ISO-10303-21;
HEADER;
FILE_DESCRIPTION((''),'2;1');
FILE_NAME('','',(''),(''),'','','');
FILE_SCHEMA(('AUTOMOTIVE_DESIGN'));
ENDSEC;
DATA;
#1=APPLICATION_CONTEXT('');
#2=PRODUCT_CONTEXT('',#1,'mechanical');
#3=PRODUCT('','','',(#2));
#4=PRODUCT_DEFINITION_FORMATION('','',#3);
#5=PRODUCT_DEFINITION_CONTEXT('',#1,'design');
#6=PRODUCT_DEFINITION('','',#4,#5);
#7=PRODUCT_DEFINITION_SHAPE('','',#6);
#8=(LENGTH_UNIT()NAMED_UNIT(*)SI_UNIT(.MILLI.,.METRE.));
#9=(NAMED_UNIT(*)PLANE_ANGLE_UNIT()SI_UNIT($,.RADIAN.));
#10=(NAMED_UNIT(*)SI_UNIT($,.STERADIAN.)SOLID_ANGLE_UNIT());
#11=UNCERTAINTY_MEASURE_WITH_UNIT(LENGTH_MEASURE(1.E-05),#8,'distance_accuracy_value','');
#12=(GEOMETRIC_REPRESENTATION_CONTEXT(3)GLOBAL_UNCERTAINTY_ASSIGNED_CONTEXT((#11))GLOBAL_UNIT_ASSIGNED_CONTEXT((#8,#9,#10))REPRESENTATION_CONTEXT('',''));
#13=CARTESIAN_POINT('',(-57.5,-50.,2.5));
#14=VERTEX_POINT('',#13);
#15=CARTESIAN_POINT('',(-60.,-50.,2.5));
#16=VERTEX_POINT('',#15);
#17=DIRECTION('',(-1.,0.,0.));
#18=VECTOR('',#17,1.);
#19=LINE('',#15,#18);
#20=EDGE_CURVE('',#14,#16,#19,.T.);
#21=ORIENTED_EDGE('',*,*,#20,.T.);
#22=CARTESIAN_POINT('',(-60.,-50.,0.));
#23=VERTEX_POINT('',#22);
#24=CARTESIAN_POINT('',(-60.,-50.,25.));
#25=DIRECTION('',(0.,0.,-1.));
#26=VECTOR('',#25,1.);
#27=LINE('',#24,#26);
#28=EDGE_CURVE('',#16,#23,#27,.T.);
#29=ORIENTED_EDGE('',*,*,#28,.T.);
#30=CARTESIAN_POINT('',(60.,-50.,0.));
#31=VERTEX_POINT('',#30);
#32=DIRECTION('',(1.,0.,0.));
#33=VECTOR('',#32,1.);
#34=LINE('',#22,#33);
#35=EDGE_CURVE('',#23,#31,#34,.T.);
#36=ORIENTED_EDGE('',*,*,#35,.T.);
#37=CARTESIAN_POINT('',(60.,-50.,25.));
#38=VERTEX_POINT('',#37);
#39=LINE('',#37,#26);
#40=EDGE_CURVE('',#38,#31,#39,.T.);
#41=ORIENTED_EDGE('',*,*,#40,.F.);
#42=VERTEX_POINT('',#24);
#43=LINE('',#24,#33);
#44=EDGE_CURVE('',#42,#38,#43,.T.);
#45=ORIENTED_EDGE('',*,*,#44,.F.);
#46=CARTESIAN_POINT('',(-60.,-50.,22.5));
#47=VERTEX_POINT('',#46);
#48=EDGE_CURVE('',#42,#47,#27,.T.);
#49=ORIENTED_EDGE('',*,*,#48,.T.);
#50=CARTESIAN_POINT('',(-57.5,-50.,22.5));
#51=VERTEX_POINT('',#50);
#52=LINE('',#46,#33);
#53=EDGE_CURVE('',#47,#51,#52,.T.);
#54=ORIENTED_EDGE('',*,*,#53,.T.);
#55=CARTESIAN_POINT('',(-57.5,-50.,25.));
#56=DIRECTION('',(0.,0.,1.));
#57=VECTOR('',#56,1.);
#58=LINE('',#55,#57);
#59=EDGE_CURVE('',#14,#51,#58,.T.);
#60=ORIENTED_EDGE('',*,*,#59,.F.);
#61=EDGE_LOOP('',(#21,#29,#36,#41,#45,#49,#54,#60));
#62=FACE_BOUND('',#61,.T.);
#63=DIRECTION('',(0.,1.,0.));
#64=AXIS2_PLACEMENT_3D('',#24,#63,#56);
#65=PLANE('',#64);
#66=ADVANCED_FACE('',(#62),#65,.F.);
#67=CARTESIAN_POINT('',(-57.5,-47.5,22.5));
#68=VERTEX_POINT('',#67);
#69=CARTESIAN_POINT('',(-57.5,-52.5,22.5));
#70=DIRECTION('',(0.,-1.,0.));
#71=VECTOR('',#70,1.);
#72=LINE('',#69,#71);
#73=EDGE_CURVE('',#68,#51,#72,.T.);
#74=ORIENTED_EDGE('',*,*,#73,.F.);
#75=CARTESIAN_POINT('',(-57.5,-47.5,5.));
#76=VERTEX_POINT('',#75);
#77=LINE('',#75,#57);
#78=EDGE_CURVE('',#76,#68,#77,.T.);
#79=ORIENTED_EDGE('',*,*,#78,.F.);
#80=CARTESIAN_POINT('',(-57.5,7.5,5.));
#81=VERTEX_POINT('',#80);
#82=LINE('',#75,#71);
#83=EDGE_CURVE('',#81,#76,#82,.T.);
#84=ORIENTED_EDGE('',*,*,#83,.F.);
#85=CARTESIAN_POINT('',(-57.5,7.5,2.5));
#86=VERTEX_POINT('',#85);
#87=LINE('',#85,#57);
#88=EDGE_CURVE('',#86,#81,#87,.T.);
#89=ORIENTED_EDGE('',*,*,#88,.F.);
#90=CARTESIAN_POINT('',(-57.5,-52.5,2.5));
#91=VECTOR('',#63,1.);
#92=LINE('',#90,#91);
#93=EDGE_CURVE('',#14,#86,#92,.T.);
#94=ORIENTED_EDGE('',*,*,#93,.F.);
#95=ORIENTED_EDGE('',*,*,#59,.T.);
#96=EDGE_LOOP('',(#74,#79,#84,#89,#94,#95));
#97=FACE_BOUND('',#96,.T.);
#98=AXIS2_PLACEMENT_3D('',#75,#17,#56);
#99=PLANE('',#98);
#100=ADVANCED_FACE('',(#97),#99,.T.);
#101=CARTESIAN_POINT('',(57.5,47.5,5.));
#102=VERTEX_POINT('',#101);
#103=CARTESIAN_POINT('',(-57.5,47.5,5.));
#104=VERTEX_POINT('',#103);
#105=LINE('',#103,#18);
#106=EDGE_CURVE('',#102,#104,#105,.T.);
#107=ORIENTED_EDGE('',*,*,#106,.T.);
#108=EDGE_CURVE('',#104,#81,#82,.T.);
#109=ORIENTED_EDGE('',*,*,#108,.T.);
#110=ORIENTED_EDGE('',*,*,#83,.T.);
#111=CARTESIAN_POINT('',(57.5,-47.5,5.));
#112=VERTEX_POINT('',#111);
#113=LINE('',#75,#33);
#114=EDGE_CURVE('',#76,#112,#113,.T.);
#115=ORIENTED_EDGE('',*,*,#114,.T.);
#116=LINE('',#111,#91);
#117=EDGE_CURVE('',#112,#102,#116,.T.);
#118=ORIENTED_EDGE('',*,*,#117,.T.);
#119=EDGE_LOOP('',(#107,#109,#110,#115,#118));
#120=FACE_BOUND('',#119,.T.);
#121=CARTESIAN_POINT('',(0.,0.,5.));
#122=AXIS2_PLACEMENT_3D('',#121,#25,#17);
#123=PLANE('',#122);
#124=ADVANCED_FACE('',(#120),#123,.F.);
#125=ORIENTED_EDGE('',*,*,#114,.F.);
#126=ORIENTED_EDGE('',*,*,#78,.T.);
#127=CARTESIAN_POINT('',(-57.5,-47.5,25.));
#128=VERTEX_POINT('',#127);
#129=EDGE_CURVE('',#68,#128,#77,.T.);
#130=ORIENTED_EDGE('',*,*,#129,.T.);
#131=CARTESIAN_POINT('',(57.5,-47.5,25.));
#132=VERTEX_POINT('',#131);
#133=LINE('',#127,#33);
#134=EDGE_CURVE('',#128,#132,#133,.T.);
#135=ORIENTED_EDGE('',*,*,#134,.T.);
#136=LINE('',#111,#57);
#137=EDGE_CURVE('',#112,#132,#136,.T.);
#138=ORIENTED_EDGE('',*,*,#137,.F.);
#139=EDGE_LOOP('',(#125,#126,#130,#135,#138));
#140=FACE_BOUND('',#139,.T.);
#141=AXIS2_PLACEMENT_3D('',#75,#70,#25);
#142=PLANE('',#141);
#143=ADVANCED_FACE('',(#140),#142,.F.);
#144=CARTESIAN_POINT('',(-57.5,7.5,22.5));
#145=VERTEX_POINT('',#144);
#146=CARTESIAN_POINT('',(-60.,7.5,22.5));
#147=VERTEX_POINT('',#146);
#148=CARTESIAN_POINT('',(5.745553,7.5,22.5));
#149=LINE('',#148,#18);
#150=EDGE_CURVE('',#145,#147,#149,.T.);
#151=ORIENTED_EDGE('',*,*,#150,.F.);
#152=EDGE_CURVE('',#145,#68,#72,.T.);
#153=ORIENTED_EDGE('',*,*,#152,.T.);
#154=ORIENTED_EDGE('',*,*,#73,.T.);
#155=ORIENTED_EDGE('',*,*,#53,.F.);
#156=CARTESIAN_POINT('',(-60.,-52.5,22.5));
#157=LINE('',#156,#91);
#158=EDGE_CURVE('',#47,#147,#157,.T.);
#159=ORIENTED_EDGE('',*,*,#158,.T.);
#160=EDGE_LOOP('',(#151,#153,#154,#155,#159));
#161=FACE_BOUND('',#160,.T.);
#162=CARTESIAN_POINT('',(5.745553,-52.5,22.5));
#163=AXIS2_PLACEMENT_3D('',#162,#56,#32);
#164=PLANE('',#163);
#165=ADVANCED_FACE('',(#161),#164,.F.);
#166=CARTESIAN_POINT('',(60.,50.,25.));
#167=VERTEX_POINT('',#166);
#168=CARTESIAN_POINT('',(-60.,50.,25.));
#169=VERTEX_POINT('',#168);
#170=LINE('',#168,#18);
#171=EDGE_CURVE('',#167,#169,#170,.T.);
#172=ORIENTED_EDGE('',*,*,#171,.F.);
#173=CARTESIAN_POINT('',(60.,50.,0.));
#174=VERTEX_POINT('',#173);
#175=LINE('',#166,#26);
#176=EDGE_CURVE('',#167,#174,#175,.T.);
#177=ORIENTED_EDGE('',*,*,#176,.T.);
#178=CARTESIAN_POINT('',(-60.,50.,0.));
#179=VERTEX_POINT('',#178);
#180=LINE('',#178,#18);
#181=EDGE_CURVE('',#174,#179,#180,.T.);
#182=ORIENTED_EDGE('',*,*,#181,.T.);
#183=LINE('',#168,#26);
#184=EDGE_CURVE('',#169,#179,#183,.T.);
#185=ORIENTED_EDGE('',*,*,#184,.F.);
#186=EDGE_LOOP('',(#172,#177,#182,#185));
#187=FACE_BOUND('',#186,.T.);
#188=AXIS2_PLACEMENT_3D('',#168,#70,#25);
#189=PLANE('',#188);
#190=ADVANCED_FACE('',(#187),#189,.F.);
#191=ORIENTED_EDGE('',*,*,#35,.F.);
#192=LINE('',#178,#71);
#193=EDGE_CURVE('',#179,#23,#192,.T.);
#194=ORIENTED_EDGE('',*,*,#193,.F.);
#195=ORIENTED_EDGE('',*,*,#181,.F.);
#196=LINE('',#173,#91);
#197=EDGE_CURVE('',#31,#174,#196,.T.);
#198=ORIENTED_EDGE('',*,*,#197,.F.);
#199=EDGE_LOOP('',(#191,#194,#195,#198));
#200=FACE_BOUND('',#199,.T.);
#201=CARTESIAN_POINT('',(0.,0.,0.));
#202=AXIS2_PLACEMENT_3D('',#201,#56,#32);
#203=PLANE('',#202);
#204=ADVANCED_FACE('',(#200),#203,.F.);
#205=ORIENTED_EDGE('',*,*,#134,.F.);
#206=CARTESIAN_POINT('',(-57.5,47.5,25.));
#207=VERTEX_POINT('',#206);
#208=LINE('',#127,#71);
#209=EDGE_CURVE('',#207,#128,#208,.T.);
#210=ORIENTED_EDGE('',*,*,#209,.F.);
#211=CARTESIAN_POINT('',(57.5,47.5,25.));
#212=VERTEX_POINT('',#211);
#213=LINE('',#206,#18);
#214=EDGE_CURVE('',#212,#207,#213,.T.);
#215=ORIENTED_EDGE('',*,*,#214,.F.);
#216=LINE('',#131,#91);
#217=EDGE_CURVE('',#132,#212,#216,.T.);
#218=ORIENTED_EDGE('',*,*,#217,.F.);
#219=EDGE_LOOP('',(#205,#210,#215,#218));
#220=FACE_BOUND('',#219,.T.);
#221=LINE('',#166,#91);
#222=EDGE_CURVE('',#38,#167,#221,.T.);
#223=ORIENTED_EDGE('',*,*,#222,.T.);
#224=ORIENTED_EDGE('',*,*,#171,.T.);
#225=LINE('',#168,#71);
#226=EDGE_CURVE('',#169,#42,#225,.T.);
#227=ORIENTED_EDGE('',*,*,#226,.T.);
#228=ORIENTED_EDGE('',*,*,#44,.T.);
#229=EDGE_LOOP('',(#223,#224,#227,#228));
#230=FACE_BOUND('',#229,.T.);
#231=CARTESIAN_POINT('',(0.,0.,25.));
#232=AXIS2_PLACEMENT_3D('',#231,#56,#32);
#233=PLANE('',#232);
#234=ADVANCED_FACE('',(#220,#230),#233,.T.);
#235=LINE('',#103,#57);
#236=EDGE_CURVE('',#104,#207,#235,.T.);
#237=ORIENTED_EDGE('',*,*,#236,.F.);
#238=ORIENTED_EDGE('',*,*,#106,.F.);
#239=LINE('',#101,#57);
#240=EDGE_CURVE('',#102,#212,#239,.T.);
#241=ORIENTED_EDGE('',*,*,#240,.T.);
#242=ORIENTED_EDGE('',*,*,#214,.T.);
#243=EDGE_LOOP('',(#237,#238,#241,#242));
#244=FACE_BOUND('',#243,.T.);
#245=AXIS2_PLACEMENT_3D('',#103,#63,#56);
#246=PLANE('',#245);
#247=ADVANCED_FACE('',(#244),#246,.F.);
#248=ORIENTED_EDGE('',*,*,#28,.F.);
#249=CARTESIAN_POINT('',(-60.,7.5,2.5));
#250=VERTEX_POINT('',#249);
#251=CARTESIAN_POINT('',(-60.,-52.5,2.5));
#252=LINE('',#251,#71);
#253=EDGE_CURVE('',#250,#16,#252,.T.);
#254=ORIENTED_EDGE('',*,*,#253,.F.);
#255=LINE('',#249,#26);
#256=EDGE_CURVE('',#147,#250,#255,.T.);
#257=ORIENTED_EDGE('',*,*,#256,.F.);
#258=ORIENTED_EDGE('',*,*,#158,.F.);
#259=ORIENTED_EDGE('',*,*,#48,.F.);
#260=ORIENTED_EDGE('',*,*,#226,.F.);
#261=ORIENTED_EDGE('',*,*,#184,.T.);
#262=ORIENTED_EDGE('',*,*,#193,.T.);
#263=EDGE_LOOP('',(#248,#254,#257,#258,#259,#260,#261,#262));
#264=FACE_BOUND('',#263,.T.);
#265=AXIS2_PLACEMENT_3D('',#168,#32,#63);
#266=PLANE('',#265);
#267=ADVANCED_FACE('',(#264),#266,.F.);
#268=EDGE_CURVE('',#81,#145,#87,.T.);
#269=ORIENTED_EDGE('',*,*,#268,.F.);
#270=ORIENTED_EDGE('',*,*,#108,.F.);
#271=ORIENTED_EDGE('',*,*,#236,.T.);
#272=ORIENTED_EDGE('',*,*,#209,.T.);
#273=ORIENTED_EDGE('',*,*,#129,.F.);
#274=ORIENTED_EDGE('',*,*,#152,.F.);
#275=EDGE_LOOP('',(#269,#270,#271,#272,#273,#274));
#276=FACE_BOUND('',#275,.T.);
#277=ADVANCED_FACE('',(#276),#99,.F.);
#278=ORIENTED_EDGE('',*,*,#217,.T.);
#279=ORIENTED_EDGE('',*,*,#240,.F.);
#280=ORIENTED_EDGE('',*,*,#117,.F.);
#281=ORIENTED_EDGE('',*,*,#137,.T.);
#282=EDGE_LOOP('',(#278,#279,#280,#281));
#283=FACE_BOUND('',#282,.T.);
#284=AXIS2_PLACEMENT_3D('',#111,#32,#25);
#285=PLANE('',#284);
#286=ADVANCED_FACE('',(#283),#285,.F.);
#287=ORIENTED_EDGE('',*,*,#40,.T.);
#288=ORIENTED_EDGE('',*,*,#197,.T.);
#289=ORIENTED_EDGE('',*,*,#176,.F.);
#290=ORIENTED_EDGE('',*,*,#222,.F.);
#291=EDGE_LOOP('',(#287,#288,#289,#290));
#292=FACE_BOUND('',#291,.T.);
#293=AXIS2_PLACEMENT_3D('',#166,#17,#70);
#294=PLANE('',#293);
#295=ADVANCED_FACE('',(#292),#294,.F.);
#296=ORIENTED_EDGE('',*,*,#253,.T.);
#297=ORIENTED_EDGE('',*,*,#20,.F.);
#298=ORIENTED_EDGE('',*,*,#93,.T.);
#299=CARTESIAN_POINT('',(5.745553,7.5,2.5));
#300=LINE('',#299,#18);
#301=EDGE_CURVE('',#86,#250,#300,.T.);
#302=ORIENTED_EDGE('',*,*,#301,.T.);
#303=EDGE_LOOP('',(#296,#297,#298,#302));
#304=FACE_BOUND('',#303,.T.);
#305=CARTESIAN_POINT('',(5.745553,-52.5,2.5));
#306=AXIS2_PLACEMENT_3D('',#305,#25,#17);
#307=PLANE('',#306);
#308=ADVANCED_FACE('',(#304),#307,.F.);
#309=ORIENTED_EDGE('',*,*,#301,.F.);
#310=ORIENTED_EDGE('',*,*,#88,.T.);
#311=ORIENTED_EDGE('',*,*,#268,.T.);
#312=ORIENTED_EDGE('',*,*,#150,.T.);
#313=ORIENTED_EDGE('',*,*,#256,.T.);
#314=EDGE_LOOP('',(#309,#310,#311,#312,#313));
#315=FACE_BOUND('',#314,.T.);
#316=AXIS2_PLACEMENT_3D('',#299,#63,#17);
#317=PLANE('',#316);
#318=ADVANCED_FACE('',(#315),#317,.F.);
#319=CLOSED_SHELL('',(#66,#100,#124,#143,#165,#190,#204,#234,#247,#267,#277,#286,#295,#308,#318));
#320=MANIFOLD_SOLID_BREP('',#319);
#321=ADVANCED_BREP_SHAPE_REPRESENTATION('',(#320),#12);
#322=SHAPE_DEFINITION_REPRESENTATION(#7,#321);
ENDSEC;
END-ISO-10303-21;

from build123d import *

# Parameters (mm, degrees)
SKETCH2_W           = 120
SKETCH2_H           = 100
BOSS_EXTRUDE1_DEPTH = 25
SKETCH3_W           = 115
SKETCH3_H           = 95
CUT_EXTRUDE1_DEPTH  = 20
SKETCH4_W           = 20
SKETCH4_H           = 60
CUT_EXTRUDE2_DEPTH  = 2.5


with BuildPart() as part:
    # Sketch2 → Boss-Extrude1 (new body)
    with BuildSketch(Plane.XY):
        Rectangle(SKETCH2_W, SKETCH2_H)
    extrude(amount=BOSS_EXTRUDE1_DEPTH)

    # Sketch3 → Cut-Extrude1 (cut)
    with BuildSketch(Plane.XY.offset(25)):
        Rectangle(SKETCH3_W, SKETCH3_H)
    extrude(amount=-CUT_EXTRUDE1_DEPTH, mode=Mode.SUBTRACT)

    # Sketch4 → Cut-Extrude2 (cut)
    with BuildSketch(Plane.ZY.offset(60)):
        with Locations((12.5, -22.5)):
            Rectangle(SKETCH4_W, SKETCH4_H)
    extrude(amount=-CUT_EXTRUDE2_DEPTH, mode=Mode.SUBTRACT)


solid = part.part
